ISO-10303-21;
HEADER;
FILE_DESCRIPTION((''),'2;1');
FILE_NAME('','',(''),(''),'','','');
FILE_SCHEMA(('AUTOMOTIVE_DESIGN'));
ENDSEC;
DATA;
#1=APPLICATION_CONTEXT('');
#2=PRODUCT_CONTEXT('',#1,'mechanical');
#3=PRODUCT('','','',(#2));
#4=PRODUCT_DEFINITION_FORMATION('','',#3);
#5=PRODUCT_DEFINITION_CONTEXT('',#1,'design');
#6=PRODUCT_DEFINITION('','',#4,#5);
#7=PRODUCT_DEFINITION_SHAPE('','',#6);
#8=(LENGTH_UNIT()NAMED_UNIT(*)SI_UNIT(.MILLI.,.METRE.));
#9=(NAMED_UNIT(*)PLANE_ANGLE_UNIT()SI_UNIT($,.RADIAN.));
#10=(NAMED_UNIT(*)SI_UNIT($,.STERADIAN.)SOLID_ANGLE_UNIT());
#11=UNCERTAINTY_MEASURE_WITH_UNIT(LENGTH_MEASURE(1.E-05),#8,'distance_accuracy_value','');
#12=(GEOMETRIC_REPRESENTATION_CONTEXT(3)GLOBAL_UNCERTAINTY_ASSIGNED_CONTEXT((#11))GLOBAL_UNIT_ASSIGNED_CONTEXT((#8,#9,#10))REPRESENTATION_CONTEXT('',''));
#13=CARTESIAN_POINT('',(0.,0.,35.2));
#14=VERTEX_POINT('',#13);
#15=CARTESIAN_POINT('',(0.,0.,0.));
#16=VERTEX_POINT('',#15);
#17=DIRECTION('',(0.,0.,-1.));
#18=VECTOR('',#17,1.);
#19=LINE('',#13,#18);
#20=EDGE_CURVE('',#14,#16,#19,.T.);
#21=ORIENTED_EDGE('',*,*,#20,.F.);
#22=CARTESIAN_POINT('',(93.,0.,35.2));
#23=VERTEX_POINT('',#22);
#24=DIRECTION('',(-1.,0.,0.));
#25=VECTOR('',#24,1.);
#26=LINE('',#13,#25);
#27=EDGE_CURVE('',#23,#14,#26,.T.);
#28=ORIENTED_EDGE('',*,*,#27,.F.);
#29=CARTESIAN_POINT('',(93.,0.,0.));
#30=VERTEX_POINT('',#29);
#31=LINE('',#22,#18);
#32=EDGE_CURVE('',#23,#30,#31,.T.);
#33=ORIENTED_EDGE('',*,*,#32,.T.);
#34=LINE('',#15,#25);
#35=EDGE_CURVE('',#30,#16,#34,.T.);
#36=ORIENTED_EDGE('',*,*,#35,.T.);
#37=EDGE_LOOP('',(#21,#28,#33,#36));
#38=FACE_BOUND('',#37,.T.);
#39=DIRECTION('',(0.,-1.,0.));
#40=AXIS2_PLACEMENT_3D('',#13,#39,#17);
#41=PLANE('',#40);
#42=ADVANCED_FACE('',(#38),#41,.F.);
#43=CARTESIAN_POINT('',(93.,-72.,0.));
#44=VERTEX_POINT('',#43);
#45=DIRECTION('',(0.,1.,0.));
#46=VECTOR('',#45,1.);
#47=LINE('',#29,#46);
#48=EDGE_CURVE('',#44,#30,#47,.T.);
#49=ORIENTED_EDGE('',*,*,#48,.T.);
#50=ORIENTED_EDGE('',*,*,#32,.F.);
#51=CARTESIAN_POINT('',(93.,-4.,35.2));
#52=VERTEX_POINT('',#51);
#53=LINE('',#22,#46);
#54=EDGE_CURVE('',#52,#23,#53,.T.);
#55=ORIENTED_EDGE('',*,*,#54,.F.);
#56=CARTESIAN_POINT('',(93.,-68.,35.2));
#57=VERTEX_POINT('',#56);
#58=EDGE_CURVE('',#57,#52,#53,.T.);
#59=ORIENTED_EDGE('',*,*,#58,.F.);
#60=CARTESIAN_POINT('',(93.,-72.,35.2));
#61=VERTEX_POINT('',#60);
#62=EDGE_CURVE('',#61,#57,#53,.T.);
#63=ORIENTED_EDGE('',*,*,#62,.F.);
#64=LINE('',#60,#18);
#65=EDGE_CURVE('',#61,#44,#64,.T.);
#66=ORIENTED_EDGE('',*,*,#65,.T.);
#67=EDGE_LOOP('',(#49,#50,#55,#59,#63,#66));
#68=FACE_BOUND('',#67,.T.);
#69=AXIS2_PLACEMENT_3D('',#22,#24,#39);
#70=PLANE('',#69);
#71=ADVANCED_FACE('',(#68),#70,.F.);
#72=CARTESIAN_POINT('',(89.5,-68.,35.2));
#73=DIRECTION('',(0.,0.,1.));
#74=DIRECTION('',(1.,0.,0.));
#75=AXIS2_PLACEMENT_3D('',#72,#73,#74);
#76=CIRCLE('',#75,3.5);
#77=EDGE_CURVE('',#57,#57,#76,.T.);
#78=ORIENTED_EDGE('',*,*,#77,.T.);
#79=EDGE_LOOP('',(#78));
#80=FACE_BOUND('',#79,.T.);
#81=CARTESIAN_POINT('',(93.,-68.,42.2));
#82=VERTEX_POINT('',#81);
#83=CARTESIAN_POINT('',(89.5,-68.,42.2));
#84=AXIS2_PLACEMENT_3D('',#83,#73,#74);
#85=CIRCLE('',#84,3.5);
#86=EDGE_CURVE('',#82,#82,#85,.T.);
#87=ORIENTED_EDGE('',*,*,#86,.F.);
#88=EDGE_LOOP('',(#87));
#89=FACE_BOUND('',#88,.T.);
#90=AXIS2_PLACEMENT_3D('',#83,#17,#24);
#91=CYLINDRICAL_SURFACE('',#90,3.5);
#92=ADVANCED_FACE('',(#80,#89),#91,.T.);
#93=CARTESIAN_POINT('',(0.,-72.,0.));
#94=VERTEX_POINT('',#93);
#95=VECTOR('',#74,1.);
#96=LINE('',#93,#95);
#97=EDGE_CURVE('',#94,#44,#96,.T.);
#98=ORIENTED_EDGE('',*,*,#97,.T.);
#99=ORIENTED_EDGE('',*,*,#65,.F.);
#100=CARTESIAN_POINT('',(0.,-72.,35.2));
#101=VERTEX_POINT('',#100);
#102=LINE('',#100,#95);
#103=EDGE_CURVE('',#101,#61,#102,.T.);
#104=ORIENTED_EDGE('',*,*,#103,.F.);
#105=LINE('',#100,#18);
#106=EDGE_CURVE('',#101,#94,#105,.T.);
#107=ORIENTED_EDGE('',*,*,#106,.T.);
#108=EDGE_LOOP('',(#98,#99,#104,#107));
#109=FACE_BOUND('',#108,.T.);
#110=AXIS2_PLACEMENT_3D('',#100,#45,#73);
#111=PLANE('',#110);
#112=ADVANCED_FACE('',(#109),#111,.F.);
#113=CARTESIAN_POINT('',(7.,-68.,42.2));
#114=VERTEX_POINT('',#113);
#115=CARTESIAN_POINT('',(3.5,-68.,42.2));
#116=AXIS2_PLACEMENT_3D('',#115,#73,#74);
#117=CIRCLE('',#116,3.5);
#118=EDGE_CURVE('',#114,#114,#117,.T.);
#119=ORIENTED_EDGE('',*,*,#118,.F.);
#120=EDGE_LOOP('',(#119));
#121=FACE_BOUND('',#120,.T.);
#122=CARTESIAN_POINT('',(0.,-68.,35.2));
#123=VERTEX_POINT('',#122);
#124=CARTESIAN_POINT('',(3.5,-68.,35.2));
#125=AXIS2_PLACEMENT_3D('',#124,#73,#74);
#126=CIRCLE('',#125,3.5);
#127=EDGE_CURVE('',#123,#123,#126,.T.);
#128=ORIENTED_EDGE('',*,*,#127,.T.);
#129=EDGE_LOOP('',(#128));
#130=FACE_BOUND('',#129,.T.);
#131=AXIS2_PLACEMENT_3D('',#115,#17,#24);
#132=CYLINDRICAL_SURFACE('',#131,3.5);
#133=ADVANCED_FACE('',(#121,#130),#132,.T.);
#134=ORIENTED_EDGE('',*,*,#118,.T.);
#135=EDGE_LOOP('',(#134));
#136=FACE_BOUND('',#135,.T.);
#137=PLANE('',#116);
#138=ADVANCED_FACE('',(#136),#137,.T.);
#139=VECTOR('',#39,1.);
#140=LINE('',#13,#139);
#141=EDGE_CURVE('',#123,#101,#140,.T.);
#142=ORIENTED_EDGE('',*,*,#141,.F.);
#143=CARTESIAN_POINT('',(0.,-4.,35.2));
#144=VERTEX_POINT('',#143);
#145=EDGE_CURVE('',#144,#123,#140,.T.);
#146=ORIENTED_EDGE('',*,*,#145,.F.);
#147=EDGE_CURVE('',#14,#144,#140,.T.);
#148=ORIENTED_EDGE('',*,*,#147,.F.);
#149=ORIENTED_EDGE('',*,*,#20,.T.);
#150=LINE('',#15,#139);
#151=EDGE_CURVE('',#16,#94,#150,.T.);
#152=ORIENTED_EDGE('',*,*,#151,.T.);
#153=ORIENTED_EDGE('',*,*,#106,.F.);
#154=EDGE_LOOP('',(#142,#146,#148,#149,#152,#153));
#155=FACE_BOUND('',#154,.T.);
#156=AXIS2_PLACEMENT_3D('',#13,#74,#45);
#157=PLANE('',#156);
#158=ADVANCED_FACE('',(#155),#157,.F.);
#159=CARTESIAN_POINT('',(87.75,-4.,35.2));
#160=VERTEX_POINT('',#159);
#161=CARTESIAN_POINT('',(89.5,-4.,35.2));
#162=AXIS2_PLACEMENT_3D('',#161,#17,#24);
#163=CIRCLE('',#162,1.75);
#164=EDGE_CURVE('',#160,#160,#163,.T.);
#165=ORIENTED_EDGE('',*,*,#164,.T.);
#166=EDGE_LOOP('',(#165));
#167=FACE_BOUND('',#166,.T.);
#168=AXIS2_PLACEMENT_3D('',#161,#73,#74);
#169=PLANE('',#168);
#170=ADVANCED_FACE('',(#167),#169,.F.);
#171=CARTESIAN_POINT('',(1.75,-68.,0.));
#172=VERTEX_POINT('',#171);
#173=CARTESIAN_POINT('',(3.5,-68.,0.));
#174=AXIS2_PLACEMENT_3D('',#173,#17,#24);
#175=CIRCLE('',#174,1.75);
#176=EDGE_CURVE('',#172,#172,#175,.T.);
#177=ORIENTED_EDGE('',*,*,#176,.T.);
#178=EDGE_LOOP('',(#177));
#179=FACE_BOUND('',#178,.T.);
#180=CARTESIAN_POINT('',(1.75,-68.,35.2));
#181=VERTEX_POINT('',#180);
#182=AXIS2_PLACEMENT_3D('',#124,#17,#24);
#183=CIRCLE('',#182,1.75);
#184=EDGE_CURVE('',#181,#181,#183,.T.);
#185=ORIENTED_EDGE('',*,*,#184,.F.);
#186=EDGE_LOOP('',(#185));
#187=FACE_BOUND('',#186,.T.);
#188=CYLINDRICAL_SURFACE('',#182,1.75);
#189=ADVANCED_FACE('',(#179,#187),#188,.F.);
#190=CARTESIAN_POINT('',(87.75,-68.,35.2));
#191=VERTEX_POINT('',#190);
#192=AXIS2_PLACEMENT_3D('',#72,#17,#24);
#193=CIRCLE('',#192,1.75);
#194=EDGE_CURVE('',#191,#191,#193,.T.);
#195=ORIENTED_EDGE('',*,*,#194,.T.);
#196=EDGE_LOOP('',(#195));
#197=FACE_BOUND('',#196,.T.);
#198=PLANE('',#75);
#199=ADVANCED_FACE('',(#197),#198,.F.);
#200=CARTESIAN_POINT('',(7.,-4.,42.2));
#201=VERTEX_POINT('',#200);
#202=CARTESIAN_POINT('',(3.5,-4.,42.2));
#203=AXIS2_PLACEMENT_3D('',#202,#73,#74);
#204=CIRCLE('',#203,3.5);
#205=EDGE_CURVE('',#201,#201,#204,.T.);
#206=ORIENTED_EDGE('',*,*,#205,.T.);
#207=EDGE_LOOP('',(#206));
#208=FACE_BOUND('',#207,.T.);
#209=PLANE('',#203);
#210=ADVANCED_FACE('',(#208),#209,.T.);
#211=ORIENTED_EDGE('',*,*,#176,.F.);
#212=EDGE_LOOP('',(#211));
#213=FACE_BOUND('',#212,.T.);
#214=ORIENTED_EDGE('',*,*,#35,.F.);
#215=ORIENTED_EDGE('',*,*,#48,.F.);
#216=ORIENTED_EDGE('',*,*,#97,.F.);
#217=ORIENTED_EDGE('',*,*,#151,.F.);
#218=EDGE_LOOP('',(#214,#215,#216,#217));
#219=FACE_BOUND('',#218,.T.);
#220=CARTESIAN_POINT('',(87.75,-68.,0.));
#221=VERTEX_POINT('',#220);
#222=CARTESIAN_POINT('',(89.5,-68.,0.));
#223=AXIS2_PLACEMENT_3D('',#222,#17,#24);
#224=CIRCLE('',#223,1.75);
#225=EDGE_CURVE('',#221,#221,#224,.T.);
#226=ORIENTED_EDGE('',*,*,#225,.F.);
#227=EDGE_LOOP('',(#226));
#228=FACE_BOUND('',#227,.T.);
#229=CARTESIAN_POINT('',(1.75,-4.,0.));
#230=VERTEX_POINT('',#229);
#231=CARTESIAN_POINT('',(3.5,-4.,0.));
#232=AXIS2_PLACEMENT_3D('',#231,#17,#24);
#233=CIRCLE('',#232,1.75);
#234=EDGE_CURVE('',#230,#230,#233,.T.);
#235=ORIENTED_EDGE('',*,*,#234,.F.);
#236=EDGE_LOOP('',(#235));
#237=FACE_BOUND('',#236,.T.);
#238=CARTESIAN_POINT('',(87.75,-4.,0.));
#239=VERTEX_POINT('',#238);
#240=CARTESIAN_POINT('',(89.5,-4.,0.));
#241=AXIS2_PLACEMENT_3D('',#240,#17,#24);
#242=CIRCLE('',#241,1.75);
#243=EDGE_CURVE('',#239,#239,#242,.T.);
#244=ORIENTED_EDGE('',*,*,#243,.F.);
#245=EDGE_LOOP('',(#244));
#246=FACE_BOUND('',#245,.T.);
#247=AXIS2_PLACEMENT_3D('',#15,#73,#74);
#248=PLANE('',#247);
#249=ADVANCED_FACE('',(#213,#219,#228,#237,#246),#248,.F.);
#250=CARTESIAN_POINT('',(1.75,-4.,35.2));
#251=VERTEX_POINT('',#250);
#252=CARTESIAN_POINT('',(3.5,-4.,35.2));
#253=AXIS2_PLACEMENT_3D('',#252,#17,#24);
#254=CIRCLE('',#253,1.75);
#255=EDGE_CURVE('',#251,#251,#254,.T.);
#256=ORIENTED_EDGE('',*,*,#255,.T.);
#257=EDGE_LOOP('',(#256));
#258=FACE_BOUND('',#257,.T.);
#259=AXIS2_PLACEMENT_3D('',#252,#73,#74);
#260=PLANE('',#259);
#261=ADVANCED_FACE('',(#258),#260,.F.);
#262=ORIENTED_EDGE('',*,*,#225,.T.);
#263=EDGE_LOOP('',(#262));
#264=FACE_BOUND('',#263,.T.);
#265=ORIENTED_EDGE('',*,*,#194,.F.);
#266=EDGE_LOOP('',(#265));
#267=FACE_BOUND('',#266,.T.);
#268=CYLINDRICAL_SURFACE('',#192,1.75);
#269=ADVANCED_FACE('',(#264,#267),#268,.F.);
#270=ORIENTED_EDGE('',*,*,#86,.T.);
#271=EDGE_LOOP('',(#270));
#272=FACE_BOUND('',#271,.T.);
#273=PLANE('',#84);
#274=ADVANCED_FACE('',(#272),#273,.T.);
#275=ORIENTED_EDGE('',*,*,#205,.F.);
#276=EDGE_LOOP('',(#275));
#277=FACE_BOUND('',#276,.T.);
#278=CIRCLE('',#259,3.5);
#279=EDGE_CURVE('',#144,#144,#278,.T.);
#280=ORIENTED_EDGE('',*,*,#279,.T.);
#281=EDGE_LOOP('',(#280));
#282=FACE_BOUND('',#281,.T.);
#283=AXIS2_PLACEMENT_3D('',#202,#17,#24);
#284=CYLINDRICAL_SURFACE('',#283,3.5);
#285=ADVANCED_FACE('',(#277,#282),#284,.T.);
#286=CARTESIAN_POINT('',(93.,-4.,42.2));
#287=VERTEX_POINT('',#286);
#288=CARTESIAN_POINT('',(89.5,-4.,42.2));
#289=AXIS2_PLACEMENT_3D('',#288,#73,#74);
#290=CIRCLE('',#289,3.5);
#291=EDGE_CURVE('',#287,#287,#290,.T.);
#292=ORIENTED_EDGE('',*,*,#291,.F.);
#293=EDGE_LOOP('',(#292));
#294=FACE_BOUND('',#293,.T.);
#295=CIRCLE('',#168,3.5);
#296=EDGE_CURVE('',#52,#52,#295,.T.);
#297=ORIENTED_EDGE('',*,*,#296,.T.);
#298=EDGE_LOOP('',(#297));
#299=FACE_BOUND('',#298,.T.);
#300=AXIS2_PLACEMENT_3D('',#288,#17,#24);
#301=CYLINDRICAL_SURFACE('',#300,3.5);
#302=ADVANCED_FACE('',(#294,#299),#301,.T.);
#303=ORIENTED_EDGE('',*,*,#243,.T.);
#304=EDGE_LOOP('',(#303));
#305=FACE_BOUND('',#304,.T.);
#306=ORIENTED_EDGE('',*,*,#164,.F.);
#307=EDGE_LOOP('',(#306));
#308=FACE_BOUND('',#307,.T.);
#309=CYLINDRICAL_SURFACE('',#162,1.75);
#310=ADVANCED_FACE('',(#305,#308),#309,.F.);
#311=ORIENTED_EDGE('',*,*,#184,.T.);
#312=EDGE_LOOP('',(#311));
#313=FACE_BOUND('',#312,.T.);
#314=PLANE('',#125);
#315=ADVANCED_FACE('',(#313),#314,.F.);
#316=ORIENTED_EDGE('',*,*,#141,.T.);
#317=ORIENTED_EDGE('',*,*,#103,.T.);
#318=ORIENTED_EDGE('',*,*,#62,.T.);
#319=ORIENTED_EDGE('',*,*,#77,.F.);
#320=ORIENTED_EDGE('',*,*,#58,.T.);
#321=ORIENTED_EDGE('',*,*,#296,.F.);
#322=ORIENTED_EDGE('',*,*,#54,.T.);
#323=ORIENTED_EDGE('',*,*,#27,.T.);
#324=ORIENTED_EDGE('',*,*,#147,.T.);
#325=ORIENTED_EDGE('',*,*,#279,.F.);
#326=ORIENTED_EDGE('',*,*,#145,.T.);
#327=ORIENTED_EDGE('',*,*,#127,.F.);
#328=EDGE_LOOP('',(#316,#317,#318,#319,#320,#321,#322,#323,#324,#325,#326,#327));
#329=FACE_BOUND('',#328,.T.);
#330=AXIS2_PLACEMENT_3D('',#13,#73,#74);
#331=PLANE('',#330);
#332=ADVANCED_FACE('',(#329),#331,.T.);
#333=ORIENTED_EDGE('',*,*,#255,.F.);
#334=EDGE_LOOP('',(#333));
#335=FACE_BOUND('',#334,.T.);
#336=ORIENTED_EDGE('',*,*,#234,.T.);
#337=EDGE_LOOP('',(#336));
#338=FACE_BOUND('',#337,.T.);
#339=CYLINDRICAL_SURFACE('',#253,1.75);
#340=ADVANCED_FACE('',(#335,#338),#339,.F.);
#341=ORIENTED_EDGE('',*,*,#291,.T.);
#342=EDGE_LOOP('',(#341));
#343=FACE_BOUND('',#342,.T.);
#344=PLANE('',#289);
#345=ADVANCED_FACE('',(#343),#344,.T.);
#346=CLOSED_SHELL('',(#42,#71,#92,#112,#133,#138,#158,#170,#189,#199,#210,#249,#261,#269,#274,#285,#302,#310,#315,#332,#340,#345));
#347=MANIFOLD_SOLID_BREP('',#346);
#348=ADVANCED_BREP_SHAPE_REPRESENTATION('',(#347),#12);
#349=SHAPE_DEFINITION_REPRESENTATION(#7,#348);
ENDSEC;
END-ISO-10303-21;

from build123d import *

# Parameters (mm, degrees)
ESQUISSE1_W             = 93
ESQUISSE1_H             = 72
BOSS_EXTRU_1_DEPTH      = 35.2
ESQUISSE2_R             = 1.75
ENL_V_MAT_EXTRU_1_DEPTH = 123.768236934
ESQUISSE3_R             = 3.5
BOSS_EXTRU_2_DEPTH      = 7


with BuildPart() as part:
    # Esquisse1 → Boss.-Extru.1 (new body)
    with BuildSketch(Plane.XY):
        with Locations((46.5, -36)):
            Rectangle(ESQUISSE1_W, ESQUISSE1_H)
    extrude(amount=BOSS_EXTRU_1_DEPTH)

    # Esquisse2 → Enlèv. mat.-Extru.1 (cut, through all)
    with BuildSketch(Plane(origin=(0, 0, 0), x_dir=(-1, 0, 0), z_dir=(0, 0, -1))):
        with Locations((-89.5, -4)):
            Circle(ESQUISSE2_R)
        with Locations((-3.5, -4)):
            Circle(ESQUISSE2_R)
        with Locations((-89.5, -68)):
            Circle(ESQUISSE2_R)
        with Locations((-3.5, -68)):
            Circle(ESQUISSE2_R)
    extrude(amount=-ENL_V_MAT_EXTRU_1_DEPTH, mode=Mode.SUBTRACT)

    # Esquisse3 → Boss.-Extru.2 (add)
    with BuildSketch(Plane.XY.offset(35.2)):
        with Locations((89.5, -68)):
            Circle(ESQUISSE3_R)
        with Locations(Location((3.5, -68, 0), (0, 0, 180))):
            Circle(ESQUISSE3_R)
        with Locations((89.5, -4)):
            Circle(ESQUISSE3_R)
        with Locations(Location((3.5, -4, 0), (0, 0, 180))):
            Circle(ESQUISSE3_R)
    extrude(amount=BOSS_EXTRU_2_DEPTH)


solid = part.part
